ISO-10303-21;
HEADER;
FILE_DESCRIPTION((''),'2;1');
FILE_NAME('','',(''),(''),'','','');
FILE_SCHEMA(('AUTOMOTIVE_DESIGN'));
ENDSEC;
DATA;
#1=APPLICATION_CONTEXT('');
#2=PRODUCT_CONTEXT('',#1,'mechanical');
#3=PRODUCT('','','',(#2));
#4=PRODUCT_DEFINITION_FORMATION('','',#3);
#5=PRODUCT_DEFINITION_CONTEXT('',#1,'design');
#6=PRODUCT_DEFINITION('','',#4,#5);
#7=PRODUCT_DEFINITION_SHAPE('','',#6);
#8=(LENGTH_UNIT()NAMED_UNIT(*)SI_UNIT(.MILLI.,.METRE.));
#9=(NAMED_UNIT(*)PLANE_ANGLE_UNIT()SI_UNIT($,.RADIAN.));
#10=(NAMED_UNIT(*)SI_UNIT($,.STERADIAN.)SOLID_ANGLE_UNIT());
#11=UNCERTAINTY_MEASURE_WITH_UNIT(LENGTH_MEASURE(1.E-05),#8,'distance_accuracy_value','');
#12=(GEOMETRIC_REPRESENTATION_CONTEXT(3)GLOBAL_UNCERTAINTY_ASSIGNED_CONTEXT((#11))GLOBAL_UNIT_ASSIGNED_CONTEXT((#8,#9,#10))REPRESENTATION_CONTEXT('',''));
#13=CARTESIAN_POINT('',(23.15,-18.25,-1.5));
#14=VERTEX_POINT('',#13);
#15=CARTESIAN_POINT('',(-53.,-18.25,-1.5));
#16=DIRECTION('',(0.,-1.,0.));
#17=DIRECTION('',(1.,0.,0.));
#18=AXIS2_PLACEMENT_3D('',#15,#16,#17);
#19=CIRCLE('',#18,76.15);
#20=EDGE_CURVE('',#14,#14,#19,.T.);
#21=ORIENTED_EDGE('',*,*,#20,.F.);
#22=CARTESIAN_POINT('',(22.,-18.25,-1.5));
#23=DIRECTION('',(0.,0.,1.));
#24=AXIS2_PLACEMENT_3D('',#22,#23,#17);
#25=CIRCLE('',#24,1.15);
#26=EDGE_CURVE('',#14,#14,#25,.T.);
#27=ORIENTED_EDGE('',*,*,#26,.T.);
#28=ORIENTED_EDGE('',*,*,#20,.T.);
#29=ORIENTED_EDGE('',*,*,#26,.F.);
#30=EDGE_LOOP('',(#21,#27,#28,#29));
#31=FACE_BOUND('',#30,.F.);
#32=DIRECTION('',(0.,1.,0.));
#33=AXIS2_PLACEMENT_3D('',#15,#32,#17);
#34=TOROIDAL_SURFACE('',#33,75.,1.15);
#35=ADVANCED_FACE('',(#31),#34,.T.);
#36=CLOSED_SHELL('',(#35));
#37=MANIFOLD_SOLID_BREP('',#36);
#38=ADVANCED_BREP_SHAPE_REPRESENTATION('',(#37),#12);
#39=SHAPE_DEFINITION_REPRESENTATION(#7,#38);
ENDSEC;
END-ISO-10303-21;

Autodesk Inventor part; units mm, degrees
ref_plane "YZ Plane" through (0, 0, 0) normal (1, 0, 0) x (0, 1, 0)
ref_plane "XZ Plane" through (0, 0, 0) normal (0, 1, 0) x (-1, 0, 0)
ref_plane "XY Plane" through (0, 0, 0) normal (0, 0, 1) x (1, 0, 0)
ref_plane "РабПлоскость1" through (0, 0, -1.5) normal (0, 0, 1) x (1, 0, 0)
sketch "Эскиз1" plane through (0, 0, -1.5) normal (0, 0, 1) x (1, 0, 0)
  circle A0 centre (22, -18.25) radius 1.25 projected
  circle A1 centre (22, -18.25) radius 1.15
  line L0 (-53, 3.9) -> (-53, -23.4) projected
  point P0 (0, 0)
  dimension "d0" = 0.1
revolve "Вращение1" add sketch "Эскиз1" angle 360 about axis through (-53, -54.25, -1.5) along (0, -1, 0) contours A1
properties part number "Staicring"
